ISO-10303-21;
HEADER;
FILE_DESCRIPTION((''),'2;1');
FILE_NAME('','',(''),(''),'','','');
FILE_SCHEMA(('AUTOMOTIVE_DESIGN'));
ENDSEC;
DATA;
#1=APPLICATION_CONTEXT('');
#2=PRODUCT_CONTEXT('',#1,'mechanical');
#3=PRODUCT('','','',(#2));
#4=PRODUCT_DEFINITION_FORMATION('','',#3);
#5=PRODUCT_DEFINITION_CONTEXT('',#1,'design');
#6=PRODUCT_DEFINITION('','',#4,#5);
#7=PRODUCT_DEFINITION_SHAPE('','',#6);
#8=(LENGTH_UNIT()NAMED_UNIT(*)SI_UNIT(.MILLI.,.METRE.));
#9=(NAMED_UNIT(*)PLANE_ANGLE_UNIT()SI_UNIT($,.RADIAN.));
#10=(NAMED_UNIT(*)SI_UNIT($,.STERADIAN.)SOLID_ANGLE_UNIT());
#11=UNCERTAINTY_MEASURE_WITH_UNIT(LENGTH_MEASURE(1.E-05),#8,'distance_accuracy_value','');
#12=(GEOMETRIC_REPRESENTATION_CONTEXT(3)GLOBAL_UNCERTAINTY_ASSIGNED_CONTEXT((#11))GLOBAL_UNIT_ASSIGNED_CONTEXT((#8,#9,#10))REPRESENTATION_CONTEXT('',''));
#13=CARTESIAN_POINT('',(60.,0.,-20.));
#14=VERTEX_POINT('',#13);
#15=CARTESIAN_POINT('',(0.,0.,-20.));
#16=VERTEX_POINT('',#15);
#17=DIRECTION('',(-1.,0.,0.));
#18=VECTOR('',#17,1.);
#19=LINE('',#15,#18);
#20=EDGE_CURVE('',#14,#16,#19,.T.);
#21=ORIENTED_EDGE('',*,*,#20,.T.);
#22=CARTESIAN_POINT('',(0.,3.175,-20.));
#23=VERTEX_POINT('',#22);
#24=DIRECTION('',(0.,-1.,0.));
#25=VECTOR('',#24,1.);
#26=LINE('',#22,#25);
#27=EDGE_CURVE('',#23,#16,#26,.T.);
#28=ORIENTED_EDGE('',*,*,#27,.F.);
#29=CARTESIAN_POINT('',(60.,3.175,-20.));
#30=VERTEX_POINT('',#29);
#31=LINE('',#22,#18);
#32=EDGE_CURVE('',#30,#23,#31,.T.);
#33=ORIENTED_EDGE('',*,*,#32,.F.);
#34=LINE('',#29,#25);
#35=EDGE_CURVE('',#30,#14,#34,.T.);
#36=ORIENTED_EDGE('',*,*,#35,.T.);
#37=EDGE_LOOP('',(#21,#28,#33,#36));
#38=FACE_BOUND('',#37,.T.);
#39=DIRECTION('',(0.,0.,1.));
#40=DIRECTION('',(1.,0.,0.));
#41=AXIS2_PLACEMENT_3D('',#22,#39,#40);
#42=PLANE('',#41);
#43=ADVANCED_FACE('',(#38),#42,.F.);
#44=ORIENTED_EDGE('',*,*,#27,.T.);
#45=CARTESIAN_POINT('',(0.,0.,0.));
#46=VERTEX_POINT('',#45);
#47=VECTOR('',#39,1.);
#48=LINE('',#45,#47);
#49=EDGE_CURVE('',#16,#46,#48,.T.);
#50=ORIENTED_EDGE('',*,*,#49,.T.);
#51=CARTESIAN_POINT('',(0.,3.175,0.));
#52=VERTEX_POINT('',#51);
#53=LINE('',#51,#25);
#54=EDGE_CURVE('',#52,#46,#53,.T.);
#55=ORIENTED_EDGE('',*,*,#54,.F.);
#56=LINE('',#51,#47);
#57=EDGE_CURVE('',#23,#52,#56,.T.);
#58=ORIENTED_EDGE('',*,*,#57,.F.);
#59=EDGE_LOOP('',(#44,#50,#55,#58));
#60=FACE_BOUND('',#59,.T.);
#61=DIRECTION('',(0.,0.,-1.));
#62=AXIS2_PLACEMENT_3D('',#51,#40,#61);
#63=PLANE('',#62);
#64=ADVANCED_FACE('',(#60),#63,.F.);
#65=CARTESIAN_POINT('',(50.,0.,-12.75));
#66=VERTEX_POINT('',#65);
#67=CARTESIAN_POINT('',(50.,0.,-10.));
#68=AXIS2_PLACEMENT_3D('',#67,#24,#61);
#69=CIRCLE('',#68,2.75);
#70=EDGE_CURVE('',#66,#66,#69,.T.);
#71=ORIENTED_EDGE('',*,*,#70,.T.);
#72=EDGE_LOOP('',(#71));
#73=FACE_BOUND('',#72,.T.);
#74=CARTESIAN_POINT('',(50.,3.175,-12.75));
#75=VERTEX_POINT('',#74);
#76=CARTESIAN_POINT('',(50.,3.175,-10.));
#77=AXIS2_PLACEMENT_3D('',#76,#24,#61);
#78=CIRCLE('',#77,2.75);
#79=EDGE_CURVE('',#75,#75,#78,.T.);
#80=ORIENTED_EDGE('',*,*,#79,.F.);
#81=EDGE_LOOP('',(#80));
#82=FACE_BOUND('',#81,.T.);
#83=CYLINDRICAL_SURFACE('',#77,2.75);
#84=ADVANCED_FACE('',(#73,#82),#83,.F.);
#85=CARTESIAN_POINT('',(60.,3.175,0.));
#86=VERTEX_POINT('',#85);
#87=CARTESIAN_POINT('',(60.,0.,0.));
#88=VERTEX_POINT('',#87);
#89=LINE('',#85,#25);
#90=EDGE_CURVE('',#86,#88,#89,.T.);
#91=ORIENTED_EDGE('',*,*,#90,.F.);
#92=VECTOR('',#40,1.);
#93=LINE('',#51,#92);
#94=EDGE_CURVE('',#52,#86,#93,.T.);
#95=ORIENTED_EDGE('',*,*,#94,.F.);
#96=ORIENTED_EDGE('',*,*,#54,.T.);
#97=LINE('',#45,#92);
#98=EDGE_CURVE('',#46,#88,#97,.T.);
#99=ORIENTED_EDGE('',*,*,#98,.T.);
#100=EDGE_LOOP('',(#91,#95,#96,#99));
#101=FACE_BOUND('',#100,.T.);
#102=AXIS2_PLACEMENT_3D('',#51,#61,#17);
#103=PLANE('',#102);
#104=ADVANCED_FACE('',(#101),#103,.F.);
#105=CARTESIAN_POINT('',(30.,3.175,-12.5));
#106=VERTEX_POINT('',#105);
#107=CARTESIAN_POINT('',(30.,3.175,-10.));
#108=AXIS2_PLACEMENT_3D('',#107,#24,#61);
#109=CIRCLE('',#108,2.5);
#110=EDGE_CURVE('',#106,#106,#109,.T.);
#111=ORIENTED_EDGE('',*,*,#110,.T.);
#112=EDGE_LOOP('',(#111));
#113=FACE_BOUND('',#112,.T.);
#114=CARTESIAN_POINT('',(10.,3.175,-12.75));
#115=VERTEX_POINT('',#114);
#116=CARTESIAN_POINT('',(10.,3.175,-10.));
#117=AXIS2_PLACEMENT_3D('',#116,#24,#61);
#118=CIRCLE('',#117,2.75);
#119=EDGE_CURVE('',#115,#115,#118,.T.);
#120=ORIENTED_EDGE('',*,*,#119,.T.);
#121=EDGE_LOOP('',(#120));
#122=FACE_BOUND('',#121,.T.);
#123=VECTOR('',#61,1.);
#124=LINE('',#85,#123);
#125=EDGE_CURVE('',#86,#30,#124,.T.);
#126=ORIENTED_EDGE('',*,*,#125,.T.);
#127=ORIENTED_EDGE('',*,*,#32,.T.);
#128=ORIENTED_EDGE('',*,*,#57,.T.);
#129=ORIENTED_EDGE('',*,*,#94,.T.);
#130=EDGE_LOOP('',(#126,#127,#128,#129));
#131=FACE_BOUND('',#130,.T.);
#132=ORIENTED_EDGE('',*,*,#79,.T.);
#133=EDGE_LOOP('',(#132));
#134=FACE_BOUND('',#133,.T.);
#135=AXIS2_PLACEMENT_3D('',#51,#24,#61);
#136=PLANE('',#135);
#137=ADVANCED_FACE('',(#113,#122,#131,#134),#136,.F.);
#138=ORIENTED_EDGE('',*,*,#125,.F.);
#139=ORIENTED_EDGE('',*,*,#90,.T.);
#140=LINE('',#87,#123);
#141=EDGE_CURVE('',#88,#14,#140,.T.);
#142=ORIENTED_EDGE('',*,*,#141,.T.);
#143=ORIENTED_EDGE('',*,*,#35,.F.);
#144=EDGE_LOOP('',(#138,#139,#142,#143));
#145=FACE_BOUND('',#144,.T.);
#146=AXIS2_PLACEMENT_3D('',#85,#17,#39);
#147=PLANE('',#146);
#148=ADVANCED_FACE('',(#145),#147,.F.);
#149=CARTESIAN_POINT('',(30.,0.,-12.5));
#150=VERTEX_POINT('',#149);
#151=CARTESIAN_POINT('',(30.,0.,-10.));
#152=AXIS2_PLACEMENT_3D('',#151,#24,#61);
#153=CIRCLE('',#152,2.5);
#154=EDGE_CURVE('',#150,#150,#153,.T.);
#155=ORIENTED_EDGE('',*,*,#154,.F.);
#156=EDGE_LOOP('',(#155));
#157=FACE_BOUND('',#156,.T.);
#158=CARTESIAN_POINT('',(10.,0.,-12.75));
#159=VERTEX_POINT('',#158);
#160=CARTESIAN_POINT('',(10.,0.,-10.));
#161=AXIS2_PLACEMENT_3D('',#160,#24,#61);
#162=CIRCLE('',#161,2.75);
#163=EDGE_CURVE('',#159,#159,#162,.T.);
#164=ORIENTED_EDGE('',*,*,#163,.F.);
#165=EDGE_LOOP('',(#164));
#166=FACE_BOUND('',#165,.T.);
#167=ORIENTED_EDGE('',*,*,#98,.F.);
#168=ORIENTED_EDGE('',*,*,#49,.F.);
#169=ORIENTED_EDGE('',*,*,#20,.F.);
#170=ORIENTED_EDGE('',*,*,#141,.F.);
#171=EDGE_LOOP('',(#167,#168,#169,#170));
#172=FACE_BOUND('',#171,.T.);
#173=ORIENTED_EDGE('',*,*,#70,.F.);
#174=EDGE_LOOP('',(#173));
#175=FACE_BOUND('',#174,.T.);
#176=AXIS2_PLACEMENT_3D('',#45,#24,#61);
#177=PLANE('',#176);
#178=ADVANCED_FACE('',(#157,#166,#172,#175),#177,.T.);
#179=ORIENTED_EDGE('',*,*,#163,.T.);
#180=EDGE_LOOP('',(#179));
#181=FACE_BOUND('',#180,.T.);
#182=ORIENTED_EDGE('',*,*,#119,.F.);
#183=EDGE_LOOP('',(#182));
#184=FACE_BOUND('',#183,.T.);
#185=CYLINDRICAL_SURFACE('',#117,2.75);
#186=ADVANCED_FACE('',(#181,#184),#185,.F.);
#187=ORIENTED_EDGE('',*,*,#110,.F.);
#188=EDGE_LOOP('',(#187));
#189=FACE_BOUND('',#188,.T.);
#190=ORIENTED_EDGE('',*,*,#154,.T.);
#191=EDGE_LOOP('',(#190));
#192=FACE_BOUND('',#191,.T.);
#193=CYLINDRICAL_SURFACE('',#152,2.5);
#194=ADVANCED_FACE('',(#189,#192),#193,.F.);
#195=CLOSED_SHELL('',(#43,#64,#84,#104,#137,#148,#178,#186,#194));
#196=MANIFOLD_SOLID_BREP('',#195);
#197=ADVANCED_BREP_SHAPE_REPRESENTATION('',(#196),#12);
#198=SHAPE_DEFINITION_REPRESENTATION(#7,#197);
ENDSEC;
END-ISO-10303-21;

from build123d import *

# Parameters (mm, degrees)
SKETCH1_W             = 60
SKETCH1_H             = 20
BOSS_EXTRUDE1_DEPTH   = 3.175
SKETCH4_R             = 2.75
CUT_EXTRUDE1_DEPTH    = 3.175
M6X1_0_TAPPED_HOLE1_D = 5


with BuildPart() as part:
    # Sketch1 → Boss-Extrude1 (new body)
    with BuildSketch(Plane(origin=(0, 0, 0), x_dir=(1, 0, 0), z_dir=(0, 1, 0))):
        with Locations((30, 10)):
            Rectangle(SKETCH1_W, SKETCH1_H)
    extrude(amount=BOSS_EXTRUDE1_DEPTH)

    # Sketch4 → Cut-Extrude1 (cut)
    with BuildSketch(Plane.XZ):
        with Locations((50, -10)):
            Circle(SKETCH4_R)
        with Locations((10, -10)):
            Circle(SKETCH4_R)
    extrude(amount=-CUT_EXTRUDE1_DEPTH, mode=Mode.SUBTRACT)

    # M6x1.0 Tapped Hole1 (through all)
    with Locations(Plane(origin=(30, 0, -10), x_dir=(0, 0, -1), z_dir=(0, -1, 0))):
        with Locations((0, 0)):
            Hole(M6X1_0_TAPPED_HOLE1_D / 2)


solid = part.part
